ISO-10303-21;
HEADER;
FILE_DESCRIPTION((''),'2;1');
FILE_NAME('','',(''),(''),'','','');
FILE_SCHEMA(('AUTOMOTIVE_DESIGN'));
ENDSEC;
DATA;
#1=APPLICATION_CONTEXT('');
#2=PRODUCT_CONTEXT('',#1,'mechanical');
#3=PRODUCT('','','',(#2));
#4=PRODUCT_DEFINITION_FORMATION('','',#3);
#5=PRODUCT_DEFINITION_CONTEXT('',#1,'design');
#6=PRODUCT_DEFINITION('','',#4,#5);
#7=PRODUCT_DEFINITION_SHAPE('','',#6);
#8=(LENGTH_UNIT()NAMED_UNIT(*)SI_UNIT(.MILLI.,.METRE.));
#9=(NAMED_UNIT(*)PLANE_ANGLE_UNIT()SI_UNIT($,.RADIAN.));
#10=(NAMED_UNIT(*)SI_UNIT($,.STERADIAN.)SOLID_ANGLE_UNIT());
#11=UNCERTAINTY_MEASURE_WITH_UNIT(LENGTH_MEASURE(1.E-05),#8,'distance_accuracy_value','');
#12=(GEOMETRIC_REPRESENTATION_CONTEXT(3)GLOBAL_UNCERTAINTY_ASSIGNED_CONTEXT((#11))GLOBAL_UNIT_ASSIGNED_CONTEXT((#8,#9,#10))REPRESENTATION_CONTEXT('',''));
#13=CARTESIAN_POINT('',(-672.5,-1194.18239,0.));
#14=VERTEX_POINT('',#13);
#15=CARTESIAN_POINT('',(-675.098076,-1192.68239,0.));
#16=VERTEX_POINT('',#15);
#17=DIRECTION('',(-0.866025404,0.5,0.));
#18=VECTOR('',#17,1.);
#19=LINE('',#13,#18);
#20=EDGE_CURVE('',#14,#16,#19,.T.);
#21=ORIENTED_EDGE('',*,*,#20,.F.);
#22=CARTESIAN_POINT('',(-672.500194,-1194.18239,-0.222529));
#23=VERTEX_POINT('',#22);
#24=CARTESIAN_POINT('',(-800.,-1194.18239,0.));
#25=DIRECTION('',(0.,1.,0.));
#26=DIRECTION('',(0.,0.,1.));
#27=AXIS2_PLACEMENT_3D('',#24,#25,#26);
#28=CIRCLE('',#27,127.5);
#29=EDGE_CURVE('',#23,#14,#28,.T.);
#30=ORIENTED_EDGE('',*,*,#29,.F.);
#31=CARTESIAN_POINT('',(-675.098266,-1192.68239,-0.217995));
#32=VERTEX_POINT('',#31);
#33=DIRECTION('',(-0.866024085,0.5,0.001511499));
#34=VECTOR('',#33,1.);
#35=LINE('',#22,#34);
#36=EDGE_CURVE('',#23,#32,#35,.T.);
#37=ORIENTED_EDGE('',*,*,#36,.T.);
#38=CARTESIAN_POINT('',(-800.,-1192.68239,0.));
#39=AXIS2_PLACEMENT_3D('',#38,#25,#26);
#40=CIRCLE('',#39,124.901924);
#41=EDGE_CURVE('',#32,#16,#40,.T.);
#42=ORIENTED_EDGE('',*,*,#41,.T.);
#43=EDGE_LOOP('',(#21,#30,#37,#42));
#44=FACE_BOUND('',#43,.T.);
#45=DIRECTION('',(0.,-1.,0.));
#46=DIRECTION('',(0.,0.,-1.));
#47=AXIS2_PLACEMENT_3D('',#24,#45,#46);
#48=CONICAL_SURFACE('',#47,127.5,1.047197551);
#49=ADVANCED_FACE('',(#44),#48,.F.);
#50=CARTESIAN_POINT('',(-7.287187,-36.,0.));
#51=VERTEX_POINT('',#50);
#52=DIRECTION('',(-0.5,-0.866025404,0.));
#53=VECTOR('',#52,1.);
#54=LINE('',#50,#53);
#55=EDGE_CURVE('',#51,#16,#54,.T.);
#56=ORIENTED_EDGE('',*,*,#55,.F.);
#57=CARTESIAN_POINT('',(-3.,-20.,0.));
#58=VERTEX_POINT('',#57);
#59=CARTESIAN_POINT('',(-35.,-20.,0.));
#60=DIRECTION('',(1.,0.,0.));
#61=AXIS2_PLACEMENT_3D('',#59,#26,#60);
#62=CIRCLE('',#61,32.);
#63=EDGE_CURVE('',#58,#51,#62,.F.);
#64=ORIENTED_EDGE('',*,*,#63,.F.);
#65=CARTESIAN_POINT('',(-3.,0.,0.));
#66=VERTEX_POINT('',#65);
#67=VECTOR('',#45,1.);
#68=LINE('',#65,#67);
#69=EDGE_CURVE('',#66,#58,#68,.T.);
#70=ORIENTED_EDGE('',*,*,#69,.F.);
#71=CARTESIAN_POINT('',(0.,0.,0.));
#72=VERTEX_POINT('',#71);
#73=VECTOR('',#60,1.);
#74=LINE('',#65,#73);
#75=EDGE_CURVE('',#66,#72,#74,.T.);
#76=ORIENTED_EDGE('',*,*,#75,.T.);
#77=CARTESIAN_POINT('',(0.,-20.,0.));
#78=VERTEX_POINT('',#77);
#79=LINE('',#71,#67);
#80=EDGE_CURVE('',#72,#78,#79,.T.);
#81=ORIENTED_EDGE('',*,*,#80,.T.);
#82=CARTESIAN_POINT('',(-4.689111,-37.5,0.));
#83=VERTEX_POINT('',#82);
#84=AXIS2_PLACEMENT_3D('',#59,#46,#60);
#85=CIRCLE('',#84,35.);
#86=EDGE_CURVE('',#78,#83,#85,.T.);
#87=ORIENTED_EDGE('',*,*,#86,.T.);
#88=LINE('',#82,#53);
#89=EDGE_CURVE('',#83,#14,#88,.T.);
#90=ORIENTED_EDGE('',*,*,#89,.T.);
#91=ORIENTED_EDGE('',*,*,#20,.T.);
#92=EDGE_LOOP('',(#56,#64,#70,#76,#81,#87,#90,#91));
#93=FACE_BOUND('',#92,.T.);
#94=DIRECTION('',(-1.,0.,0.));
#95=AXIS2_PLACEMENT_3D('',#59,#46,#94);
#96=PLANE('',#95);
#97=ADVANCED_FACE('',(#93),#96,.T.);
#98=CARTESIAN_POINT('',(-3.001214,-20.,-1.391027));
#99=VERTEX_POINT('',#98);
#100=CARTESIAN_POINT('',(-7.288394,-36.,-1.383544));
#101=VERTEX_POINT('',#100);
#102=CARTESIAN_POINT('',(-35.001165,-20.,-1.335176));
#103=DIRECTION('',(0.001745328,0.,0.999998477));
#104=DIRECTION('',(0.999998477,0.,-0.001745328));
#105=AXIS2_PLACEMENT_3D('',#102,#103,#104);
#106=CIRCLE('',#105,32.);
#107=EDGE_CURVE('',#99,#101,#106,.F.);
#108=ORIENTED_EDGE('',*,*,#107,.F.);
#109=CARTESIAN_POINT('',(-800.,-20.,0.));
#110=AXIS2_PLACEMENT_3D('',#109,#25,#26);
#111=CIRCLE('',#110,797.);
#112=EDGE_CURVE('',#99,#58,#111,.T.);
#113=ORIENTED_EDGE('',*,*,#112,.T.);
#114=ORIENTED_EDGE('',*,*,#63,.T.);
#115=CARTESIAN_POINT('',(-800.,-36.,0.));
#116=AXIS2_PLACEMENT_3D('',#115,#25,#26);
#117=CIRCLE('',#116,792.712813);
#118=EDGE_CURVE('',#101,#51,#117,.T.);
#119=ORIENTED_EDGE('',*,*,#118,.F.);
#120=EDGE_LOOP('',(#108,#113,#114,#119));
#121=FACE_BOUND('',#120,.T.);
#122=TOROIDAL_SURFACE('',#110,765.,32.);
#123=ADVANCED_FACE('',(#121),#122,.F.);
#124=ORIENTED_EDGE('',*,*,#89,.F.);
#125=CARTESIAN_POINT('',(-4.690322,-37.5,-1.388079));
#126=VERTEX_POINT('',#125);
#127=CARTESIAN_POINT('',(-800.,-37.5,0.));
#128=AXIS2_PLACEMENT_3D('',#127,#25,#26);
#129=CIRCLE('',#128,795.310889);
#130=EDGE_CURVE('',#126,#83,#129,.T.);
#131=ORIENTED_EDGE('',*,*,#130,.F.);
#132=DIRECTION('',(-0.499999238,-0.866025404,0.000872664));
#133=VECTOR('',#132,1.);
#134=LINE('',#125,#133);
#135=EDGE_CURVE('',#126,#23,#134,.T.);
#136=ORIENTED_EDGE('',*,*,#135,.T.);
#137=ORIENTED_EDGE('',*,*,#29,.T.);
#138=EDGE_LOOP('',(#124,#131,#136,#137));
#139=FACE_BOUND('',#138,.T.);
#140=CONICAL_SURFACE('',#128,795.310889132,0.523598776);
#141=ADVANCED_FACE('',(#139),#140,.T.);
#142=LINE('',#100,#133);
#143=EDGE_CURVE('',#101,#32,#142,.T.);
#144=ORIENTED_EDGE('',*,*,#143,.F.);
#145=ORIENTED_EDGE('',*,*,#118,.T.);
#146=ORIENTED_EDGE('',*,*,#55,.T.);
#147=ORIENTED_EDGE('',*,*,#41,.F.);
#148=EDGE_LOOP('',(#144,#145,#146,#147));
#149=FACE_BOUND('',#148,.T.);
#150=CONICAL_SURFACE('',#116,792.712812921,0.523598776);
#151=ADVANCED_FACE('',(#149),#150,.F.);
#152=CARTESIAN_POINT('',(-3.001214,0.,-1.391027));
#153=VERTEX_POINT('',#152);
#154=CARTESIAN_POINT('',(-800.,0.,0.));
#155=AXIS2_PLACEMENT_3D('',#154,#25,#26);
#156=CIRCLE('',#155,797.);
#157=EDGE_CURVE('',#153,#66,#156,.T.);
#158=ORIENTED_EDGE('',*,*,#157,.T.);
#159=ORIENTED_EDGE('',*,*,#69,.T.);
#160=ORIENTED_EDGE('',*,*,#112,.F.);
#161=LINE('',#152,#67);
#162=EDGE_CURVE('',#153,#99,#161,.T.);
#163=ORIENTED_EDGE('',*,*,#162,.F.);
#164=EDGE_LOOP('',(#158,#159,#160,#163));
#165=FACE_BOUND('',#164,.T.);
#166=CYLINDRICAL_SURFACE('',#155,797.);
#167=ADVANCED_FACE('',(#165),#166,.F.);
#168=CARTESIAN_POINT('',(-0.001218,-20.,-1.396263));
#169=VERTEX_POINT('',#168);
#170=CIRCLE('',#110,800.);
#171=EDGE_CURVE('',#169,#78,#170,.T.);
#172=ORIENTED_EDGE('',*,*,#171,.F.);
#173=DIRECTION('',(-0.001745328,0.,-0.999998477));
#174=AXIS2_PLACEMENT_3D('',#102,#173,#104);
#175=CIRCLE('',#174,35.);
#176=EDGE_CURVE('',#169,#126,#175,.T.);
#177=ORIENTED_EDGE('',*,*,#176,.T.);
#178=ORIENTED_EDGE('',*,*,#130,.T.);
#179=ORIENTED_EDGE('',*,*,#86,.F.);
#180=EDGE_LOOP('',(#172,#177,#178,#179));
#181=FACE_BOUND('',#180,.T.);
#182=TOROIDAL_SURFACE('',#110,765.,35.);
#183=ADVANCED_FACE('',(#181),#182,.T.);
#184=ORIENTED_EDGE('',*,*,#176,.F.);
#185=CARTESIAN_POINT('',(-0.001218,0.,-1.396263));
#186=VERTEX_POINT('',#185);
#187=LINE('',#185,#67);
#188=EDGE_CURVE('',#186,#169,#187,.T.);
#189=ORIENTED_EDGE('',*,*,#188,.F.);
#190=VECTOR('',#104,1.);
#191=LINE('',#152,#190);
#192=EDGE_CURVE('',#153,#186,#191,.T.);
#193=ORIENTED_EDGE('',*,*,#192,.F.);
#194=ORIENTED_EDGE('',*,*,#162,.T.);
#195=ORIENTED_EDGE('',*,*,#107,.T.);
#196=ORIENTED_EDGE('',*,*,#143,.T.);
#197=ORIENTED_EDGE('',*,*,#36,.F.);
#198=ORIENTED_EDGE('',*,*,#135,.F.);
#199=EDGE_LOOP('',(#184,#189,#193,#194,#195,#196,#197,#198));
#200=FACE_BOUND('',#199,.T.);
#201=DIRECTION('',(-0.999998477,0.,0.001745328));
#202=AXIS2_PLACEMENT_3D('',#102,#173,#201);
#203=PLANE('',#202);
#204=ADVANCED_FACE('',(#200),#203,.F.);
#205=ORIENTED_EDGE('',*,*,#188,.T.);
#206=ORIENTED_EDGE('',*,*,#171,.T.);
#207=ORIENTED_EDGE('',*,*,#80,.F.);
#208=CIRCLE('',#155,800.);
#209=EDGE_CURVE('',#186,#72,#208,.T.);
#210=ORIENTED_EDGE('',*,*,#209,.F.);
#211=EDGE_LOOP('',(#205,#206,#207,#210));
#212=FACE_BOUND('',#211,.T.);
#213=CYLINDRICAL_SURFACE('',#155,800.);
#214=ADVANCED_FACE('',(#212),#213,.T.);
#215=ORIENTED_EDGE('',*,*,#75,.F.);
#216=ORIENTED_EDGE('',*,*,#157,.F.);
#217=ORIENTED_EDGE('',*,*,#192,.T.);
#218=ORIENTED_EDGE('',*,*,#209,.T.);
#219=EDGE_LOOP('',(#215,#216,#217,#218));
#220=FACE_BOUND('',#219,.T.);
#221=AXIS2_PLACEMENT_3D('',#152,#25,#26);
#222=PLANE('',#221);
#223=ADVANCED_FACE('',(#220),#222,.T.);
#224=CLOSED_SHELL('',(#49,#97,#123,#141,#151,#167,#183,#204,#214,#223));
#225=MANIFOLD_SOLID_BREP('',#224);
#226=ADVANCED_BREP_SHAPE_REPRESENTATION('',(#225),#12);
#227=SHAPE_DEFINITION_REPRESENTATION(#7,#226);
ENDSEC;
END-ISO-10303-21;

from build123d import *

# Parameters (mm, degrees)
ROTATION_D_NN4_ANGLE = 359.9


with BuildPart() as part:
    # Skizze1 → Rotation-Dünn4 (revolve)
    with BuildSketch(Plane.XY):
        with BuildLine():
            Line((0, 0), (0, -20))
            ThreePointArc((0, -20), (-1.19259608, -29.058666579), (-4.689110868, -37.5))
            Line((-4.689110868, -37.5), (-672.5, -1194.182389825))
            Line((-672.5, -1194.182389825), (-675.098076211, -1192.682389825))
            Line((-675.098076211, -1192.682389825), (-7.287187079, -36))
            ThreePointArc((-7.287187079, -36), (-4.090373559, -28.282209443), (-3, -20))
            Line((-3, -20), (-3, 0))
            Line((-3, 0), (0, 0))
        make_face()
    revolve(axis=Axis((-800, 0, 0), (0, -1, 0)), revolution_arc=ROTATION_D_NN4_ANGLE)


solid = part.part
